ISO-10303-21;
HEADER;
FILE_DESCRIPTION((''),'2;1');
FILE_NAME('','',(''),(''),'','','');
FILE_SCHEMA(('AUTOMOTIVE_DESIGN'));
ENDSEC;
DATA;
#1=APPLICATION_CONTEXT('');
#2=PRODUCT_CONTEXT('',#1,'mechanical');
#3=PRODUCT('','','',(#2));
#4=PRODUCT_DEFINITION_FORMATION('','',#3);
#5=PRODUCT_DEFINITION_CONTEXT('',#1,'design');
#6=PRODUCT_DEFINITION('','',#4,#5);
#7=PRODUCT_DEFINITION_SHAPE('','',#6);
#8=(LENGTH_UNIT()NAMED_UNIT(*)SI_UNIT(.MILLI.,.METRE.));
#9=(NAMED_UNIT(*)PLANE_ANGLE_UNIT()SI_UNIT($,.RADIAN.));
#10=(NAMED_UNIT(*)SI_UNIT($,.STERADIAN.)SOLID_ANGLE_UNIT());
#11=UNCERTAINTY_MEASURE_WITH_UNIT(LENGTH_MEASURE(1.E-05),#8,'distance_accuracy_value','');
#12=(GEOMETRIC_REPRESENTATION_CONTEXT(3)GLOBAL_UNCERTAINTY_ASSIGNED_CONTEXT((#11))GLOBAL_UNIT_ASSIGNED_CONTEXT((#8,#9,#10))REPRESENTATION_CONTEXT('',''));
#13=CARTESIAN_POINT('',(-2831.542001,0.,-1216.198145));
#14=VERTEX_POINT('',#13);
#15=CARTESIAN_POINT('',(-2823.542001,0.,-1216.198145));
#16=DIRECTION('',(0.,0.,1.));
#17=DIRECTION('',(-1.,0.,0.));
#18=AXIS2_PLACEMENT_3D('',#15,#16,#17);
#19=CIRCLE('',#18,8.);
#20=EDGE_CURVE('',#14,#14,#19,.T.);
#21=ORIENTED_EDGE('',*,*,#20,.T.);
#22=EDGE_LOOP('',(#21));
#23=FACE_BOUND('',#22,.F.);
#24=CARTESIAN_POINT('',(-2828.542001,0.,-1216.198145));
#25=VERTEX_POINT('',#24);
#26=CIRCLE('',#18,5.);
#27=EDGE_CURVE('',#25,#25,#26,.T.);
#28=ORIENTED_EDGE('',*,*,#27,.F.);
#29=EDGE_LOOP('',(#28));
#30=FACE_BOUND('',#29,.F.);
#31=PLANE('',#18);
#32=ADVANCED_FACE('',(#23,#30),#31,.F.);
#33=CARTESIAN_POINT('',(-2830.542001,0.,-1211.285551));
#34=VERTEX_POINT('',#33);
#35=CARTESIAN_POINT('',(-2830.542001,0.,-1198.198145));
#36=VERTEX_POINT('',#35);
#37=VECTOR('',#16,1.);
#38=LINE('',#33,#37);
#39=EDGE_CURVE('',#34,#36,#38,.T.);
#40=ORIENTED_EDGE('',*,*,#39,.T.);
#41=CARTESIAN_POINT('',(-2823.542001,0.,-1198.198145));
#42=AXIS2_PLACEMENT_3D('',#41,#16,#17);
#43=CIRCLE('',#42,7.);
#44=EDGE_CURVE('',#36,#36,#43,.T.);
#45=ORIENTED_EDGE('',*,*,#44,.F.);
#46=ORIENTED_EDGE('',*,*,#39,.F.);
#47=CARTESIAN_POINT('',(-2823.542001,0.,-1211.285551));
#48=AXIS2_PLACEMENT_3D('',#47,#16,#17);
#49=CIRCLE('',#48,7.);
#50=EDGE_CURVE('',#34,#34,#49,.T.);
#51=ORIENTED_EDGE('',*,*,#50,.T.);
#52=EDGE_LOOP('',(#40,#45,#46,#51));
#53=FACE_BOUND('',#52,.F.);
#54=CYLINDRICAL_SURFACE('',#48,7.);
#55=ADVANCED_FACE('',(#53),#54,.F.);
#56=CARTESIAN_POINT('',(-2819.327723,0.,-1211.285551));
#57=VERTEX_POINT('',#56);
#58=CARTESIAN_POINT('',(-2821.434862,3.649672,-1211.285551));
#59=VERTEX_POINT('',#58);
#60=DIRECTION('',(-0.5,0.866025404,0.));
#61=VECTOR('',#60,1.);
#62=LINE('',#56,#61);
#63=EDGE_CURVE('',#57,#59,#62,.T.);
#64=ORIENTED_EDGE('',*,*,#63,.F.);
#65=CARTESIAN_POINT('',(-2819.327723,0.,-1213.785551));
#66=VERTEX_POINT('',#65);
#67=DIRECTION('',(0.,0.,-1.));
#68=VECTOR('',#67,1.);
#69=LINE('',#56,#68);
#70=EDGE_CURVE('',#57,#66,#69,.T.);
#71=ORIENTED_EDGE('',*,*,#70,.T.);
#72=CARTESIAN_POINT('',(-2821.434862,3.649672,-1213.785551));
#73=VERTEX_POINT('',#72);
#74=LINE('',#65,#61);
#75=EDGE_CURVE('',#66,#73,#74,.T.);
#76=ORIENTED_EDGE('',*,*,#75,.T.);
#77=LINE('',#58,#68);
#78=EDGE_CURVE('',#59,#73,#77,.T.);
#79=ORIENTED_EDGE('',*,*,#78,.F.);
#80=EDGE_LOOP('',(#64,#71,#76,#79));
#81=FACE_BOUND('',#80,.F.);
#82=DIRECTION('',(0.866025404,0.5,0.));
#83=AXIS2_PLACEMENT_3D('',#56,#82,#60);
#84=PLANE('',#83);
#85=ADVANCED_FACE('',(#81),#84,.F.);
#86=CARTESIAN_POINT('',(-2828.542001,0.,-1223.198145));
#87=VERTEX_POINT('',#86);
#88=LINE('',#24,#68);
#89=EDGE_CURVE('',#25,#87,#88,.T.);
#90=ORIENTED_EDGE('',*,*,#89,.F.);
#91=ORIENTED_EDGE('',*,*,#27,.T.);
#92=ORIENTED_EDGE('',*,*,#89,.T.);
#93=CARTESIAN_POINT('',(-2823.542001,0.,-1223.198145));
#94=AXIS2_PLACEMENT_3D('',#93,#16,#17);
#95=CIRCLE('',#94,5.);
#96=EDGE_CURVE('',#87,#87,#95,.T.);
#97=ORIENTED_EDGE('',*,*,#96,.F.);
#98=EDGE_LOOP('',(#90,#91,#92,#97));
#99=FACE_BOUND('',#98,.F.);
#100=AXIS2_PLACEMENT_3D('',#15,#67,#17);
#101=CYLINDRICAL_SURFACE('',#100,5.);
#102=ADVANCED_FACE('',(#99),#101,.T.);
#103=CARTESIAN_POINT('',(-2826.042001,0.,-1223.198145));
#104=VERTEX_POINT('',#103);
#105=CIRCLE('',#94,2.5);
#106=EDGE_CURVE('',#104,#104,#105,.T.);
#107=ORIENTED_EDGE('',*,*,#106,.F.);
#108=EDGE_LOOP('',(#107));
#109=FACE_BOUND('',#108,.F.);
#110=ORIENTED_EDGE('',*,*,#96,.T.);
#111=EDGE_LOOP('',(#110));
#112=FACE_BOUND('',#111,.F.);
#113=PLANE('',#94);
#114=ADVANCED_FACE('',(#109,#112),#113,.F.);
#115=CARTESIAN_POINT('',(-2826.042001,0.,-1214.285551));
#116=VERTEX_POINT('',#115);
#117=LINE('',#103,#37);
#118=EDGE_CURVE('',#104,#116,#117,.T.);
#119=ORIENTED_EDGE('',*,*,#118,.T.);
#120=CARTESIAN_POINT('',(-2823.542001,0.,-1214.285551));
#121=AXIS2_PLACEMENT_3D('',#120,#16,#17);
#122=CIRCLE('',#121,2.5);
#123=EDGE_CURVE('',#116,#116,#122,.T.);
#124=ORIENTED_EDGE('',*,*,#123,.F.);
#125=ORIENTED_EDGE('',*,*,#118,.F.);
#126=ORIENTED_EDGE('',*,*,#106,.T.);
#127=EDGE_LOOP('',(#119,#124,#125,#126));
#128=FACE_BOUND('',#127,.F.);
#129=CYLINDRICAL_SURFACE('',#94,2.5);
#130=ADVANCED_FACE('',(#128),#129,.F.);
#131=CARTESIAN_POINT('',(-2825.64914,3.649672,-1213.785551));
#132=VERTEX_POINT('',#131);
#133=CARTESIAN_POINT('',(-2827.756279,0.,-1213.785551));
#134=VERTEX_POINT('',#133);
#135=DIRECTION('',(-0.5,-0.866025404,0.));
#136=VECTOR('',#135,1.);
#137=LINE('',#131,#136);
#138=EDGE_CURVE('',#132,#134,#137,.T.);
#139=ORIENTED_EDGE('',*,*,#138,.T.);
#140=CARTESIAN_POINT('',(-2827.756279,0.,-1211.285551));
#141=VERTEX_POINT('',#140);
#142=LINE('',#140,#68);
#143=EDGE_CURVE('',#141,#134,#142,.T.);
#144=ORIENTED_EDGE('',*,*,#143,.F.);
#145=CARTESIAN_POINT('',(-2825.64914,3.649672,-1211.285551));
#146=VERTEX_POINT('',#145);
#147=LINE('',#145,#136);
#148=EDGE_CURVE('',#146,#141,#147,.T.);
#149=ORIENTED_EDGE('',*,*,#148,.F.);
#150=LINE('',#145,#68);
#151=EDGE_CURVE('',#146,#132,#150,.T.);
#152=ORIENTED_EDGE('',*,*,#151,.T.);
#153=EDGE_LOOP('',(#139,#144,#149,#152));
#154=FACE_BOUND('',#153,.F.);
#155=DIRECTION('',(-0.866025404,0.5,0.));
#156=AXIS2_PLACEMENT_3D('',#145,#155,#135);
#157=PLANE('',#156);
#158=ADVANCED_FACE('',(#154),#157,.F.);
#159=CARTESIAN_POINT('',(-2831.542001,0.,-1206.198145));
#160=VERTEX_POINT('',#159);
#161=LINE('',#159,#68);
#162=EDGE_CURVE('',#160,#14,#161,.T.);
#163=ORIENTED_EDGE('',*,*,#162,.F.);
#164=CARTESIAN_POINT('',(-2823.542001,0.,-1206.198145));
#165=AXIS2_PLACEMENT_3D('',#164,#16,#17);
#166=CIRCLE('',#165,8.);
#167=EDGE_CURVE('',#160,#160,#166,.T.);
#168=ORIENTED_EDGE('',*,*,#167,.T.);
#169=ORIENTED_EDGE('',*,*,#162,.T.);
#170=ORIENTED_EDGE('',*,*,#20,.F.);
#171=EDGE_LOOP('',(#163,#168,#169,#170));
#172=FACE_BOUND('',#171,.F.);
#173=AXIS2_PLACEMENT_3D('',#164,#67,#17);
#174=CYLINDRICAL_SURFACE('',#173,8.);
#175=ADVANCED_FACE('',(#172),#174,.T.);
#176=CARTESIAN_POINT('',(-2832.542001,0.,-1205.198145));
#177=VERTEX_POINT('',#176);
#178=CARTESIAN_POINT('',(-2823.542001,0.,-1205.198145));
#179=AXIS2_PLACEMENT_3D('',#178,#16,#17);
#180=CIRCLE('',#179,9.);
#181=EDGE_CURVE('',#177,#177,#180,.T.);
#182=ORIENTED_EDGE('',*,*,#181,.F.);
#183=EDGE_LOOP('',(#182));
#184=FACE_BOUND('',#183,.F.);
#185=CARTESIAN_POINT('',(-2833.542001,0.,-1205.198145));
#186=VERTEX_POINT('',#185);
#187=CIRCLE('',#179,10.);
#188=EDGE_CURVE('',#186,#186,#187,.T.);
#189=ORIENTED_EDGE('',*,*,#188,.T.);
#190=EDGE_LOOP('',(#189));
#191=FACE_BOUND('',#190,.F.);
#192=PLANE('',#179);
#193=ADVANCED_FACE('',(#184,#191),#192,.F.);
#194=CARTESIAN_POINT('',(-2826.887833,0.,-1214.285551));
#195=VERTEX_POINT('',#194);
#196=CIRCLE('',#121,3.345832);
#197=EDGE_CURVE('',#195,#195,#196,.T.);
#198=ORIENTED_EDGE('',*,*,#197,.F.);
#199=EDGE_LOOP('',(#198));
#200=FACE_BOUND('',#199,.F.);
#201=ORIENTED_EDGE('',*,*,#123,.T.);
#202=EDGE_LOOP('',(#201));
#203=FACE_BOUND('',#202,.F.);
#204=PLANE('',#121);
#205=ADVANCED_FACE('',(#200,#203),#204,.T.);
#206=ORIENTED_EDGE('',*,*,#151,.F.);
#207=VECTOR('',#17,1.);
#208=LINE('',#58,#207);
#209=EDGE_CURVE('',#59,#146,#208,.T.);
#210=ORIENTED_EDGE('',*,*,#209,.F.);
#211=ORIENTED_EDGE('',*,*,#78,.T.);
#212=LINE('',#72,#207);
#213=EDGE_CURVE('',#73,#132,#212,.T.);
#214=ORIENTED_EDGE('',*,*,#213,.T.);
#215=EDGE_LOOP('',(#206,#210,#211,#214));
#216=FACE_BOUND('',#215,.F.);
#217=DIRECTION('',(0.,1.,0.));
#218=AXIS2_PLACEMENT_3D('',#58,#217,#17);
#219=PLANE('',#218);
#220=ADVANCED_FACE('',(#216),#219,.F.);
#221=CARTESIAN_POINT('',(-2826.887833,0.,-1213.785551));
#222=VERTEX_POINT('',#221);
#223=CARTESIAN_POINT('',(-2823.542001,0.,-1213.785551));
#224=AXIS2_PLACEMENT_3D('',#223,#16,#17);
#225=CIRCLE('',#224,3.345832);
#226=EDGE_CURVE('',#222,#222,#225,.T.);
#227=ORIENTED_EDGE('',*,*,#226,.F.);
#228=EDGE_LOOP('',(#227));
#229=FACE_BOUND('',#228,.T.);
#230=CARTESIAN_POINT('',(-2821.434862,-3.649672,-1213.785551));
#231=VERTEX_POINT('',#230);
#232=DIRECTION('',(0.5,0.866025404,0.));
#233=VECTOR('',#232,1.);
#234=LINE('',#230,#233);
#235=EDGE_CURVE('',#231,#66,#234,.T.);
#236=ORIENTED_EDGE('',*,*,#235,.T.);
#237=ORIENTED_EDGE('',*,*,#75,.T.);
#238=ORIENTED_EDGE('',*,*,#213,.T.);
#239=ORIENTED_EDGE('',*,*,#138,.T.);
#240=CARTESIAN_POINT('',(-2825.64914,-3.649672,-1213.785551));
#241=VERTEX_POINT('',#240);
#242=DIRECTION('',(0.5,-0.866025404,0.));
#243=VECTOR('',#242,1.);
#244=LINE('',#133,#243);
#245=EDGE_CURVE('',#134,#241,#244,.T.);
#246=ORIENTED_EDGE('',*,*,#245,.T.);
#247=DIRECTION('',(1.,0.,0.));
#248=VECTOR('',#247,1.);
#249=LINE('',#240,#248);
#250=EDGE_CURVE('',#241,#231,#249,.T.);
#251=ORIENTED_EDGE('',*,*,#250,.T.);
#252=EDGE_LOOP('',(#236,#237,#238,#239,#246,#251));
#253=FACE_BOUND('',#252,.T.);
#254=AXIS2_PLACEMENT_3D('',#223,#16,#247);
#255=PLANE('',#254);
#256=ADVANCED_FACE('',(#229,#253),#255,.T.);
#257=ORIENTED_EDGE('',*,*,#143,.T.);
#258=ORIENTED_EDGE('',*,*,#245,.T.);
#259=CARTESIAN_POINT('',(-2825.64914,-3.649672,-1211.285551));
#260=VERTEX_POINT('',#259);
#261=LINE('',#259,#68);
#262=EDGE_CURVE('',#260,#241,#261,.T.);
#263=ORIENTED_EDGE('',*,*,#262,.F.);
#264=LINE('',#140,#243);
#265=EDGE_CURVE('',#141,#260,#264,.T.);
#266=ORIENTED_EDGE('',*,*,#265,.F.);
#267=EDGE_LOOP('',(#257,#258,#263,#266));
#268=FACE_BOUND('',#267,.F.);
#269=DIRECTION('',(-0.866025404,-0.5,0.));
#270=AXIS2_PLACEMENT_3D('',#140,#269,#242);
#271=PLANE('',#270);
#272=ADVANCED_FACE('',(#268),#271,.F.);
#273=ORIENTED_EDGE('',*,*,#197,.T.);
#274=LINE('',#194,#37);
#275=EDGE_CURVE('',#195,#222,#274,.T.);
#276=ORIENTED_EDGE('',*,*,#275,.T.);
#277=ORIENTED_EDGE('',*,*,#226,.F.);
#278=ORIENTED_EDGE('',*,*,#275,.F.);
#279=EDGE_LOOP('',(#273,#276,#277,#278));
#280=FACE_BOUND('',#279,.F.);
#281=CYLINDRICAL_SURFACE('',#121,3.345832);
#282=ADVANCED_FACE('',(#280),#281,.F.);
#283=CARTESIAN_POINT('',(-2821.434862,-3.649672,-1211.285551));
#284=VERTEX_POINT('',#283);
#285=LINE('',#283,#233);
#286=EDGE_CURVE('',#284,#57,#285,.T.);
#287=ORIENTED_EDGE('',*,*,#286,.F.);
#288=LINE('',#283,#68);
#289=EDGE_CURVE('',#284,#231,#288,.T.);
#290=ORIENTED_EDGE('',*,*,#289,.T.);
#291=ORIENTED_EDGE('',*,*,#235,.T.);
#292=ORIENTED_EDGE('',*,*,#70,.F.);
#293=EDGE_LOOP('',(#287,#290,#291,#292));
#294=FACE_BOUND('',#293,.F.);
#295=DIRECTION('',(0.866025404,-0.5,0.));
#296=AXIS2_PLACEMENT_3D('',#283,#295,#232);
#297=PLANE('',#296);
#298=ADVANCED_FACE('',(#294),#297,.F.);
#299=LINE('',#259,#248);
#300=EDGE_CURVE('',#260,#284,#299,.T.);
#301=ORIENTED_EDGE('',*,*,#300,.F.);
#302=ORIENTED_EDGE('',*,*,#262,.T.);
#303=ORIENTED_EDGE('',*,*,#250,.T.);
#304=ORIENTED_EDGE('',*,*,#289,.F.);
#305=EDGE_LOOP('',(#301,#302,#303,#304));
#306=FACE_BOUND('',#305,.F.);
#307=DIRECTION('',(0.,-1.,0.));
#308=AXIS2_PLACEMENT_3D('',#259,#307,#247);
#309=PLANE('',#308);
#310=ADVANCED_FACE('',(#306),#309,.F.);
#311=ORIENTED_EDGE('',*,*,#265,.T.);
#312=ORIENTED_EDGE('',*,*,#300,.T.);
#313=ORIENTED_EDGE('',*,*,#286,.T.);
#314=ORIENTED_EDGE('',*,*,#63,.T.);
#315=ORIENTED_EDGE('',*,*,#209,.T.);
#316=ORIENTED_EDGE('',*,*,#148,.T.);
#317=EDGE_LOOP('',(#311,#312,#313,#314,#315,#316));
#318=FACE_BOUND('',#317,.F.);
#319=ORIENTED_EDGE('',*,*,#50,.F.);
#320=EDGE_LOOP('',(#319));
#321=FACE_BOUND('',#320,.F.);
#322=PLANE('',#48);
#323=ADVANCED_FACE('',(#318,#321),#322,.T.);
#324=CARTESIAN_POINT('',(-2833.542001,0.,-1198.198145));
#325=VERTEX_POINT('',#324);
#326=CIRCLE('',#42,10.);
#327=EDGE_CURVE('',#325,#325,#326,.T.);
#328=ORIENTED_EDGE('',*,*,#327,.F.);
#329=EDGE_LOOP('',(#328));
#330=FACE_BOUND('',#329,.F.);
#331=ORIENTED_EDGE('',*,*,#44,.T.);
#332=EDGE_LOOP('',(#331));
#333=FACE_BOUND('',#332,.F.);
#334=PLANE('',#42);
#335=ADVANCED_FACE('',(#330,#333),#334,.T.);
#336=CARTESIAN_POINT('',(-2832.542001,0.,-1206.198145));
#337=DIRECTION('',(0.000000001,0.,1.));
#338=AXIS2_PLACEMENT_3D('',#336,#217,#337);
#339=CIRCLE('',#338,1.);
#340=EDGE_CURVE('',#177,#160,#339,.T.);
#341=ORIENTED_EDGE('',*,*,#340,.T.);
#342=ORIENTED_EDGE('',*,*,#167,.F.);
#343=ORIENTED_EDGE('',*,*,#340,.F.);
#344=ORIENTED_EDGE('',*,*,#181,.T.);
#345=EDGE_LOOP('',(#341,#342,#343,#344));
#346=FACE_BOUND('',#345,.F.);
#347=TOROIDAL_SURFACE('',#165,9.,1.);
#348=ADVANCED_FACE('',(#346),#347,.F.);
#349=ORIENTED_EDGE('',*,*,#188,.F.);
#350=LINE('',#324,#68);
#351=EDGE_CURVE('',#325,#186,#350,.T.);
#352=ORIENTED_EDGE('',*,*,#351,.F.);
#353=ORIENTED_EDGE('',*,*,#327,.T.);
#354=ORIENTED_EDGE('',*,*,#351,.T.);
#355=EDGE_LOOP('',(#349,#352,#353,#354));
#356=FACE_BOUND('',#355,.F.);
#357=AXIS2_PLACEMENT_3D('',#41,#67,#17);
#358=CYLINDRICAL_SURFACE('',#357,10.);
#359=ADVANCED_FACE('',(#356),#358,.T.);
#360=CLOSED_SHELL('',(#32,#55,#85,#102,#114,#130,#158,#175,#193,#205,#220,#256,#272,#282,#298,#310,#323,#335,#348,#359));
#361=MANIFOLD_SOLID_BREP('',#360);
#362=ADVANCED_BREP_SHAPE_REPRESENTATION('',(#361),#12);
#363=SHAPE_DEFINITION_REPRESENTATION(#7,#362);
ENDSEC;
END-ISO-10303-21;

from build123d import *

# Parameters (mm, degrees)
CUT_EXTRUDE2_DEPTH = 2.5


with BuildPart() as part:
    # Sketch1 → Revolve1 (revolve)
    with BuildSketch(Plane(origin=(0, 0, 0), x_dir=(1, 0, 0), z_dir=(0, 1, 0)), mode=Mode.PRIVATE) as revolve1_sk:
        with BuildLine():
            Line((-2818.542001076, 1216.198145417), (-2818.542001076, 1223.198145417))
            Line((-2818.542001076, 1223.198145417), (-2821.042001076, 1223.198145417))
            Line((-2821.042001076, 1223.198145417), (-2821.042001076, 1214.285550771))
            Line((-2821.042001076, 1214.285550771), (-2820.196168753, 1214.285550771))
            Line((-2820.196168753, 1214.285550771), (-2820.196168753, 1211.285550771))
            Line((-2820.196168753, 1211.285550771), (-2818.542001076, 1211.285550771))
            Line((-2818.542001076, 1211.285550771), (-2816.542001076, 1211.285550771))
            Line((-2816.542001076, 1211.285550771), (-2816.542001076, 1198.198145417))
            Line((-2816.542001076, 1198.198145417), (-2813.542001076, 1198.198145417))
            Line((-2813.542001076, 1198.198145417), (-2813.542001076, 1205.198145417))
            Line((-2813.542001076, 1205.198145417), (-2814.542001076, 1205.198145417))
            ThreePointArc((-2814.542001076, 1205.198145417), (-2815.249107857, 1205.491038636), (-2815.542001076, 1206.198145417))
            Line((-2815.542001076, 1206.198145417), (-2815.542001076, 1216.198145417))
            Line((-2815.542001076, 1216.198145417), (-2818.542001076, 1216.198145417))
        make_face()
    revolve(revolve1_sk.sketch.rotate(Axis((-2823.542001076, 0, -1216.198145417), (0, 0, 1)), 180), axis=Axis((-2823.542001076, 0, -1216.198145417), (0, 0, 1)))

    # Sketch2 → Cut-Extrude2 (cut)
    with BuildSketch(Plane.XY.offset(-1211.285550771)):
        Polygon((-2819.327722789, 0), (-2821.434861933, 3.649672055), (-2825.649140219, 3.649672055), (-2827.756279362, 0), (-2825.649140219, -3.649672055), (-2821.434861933, -3.649672055), align=None)
    extrude(amount=-CUT_EXTRUDE2_DEPTH, mode=Mode.SUBTRACT)


solid = part.part
